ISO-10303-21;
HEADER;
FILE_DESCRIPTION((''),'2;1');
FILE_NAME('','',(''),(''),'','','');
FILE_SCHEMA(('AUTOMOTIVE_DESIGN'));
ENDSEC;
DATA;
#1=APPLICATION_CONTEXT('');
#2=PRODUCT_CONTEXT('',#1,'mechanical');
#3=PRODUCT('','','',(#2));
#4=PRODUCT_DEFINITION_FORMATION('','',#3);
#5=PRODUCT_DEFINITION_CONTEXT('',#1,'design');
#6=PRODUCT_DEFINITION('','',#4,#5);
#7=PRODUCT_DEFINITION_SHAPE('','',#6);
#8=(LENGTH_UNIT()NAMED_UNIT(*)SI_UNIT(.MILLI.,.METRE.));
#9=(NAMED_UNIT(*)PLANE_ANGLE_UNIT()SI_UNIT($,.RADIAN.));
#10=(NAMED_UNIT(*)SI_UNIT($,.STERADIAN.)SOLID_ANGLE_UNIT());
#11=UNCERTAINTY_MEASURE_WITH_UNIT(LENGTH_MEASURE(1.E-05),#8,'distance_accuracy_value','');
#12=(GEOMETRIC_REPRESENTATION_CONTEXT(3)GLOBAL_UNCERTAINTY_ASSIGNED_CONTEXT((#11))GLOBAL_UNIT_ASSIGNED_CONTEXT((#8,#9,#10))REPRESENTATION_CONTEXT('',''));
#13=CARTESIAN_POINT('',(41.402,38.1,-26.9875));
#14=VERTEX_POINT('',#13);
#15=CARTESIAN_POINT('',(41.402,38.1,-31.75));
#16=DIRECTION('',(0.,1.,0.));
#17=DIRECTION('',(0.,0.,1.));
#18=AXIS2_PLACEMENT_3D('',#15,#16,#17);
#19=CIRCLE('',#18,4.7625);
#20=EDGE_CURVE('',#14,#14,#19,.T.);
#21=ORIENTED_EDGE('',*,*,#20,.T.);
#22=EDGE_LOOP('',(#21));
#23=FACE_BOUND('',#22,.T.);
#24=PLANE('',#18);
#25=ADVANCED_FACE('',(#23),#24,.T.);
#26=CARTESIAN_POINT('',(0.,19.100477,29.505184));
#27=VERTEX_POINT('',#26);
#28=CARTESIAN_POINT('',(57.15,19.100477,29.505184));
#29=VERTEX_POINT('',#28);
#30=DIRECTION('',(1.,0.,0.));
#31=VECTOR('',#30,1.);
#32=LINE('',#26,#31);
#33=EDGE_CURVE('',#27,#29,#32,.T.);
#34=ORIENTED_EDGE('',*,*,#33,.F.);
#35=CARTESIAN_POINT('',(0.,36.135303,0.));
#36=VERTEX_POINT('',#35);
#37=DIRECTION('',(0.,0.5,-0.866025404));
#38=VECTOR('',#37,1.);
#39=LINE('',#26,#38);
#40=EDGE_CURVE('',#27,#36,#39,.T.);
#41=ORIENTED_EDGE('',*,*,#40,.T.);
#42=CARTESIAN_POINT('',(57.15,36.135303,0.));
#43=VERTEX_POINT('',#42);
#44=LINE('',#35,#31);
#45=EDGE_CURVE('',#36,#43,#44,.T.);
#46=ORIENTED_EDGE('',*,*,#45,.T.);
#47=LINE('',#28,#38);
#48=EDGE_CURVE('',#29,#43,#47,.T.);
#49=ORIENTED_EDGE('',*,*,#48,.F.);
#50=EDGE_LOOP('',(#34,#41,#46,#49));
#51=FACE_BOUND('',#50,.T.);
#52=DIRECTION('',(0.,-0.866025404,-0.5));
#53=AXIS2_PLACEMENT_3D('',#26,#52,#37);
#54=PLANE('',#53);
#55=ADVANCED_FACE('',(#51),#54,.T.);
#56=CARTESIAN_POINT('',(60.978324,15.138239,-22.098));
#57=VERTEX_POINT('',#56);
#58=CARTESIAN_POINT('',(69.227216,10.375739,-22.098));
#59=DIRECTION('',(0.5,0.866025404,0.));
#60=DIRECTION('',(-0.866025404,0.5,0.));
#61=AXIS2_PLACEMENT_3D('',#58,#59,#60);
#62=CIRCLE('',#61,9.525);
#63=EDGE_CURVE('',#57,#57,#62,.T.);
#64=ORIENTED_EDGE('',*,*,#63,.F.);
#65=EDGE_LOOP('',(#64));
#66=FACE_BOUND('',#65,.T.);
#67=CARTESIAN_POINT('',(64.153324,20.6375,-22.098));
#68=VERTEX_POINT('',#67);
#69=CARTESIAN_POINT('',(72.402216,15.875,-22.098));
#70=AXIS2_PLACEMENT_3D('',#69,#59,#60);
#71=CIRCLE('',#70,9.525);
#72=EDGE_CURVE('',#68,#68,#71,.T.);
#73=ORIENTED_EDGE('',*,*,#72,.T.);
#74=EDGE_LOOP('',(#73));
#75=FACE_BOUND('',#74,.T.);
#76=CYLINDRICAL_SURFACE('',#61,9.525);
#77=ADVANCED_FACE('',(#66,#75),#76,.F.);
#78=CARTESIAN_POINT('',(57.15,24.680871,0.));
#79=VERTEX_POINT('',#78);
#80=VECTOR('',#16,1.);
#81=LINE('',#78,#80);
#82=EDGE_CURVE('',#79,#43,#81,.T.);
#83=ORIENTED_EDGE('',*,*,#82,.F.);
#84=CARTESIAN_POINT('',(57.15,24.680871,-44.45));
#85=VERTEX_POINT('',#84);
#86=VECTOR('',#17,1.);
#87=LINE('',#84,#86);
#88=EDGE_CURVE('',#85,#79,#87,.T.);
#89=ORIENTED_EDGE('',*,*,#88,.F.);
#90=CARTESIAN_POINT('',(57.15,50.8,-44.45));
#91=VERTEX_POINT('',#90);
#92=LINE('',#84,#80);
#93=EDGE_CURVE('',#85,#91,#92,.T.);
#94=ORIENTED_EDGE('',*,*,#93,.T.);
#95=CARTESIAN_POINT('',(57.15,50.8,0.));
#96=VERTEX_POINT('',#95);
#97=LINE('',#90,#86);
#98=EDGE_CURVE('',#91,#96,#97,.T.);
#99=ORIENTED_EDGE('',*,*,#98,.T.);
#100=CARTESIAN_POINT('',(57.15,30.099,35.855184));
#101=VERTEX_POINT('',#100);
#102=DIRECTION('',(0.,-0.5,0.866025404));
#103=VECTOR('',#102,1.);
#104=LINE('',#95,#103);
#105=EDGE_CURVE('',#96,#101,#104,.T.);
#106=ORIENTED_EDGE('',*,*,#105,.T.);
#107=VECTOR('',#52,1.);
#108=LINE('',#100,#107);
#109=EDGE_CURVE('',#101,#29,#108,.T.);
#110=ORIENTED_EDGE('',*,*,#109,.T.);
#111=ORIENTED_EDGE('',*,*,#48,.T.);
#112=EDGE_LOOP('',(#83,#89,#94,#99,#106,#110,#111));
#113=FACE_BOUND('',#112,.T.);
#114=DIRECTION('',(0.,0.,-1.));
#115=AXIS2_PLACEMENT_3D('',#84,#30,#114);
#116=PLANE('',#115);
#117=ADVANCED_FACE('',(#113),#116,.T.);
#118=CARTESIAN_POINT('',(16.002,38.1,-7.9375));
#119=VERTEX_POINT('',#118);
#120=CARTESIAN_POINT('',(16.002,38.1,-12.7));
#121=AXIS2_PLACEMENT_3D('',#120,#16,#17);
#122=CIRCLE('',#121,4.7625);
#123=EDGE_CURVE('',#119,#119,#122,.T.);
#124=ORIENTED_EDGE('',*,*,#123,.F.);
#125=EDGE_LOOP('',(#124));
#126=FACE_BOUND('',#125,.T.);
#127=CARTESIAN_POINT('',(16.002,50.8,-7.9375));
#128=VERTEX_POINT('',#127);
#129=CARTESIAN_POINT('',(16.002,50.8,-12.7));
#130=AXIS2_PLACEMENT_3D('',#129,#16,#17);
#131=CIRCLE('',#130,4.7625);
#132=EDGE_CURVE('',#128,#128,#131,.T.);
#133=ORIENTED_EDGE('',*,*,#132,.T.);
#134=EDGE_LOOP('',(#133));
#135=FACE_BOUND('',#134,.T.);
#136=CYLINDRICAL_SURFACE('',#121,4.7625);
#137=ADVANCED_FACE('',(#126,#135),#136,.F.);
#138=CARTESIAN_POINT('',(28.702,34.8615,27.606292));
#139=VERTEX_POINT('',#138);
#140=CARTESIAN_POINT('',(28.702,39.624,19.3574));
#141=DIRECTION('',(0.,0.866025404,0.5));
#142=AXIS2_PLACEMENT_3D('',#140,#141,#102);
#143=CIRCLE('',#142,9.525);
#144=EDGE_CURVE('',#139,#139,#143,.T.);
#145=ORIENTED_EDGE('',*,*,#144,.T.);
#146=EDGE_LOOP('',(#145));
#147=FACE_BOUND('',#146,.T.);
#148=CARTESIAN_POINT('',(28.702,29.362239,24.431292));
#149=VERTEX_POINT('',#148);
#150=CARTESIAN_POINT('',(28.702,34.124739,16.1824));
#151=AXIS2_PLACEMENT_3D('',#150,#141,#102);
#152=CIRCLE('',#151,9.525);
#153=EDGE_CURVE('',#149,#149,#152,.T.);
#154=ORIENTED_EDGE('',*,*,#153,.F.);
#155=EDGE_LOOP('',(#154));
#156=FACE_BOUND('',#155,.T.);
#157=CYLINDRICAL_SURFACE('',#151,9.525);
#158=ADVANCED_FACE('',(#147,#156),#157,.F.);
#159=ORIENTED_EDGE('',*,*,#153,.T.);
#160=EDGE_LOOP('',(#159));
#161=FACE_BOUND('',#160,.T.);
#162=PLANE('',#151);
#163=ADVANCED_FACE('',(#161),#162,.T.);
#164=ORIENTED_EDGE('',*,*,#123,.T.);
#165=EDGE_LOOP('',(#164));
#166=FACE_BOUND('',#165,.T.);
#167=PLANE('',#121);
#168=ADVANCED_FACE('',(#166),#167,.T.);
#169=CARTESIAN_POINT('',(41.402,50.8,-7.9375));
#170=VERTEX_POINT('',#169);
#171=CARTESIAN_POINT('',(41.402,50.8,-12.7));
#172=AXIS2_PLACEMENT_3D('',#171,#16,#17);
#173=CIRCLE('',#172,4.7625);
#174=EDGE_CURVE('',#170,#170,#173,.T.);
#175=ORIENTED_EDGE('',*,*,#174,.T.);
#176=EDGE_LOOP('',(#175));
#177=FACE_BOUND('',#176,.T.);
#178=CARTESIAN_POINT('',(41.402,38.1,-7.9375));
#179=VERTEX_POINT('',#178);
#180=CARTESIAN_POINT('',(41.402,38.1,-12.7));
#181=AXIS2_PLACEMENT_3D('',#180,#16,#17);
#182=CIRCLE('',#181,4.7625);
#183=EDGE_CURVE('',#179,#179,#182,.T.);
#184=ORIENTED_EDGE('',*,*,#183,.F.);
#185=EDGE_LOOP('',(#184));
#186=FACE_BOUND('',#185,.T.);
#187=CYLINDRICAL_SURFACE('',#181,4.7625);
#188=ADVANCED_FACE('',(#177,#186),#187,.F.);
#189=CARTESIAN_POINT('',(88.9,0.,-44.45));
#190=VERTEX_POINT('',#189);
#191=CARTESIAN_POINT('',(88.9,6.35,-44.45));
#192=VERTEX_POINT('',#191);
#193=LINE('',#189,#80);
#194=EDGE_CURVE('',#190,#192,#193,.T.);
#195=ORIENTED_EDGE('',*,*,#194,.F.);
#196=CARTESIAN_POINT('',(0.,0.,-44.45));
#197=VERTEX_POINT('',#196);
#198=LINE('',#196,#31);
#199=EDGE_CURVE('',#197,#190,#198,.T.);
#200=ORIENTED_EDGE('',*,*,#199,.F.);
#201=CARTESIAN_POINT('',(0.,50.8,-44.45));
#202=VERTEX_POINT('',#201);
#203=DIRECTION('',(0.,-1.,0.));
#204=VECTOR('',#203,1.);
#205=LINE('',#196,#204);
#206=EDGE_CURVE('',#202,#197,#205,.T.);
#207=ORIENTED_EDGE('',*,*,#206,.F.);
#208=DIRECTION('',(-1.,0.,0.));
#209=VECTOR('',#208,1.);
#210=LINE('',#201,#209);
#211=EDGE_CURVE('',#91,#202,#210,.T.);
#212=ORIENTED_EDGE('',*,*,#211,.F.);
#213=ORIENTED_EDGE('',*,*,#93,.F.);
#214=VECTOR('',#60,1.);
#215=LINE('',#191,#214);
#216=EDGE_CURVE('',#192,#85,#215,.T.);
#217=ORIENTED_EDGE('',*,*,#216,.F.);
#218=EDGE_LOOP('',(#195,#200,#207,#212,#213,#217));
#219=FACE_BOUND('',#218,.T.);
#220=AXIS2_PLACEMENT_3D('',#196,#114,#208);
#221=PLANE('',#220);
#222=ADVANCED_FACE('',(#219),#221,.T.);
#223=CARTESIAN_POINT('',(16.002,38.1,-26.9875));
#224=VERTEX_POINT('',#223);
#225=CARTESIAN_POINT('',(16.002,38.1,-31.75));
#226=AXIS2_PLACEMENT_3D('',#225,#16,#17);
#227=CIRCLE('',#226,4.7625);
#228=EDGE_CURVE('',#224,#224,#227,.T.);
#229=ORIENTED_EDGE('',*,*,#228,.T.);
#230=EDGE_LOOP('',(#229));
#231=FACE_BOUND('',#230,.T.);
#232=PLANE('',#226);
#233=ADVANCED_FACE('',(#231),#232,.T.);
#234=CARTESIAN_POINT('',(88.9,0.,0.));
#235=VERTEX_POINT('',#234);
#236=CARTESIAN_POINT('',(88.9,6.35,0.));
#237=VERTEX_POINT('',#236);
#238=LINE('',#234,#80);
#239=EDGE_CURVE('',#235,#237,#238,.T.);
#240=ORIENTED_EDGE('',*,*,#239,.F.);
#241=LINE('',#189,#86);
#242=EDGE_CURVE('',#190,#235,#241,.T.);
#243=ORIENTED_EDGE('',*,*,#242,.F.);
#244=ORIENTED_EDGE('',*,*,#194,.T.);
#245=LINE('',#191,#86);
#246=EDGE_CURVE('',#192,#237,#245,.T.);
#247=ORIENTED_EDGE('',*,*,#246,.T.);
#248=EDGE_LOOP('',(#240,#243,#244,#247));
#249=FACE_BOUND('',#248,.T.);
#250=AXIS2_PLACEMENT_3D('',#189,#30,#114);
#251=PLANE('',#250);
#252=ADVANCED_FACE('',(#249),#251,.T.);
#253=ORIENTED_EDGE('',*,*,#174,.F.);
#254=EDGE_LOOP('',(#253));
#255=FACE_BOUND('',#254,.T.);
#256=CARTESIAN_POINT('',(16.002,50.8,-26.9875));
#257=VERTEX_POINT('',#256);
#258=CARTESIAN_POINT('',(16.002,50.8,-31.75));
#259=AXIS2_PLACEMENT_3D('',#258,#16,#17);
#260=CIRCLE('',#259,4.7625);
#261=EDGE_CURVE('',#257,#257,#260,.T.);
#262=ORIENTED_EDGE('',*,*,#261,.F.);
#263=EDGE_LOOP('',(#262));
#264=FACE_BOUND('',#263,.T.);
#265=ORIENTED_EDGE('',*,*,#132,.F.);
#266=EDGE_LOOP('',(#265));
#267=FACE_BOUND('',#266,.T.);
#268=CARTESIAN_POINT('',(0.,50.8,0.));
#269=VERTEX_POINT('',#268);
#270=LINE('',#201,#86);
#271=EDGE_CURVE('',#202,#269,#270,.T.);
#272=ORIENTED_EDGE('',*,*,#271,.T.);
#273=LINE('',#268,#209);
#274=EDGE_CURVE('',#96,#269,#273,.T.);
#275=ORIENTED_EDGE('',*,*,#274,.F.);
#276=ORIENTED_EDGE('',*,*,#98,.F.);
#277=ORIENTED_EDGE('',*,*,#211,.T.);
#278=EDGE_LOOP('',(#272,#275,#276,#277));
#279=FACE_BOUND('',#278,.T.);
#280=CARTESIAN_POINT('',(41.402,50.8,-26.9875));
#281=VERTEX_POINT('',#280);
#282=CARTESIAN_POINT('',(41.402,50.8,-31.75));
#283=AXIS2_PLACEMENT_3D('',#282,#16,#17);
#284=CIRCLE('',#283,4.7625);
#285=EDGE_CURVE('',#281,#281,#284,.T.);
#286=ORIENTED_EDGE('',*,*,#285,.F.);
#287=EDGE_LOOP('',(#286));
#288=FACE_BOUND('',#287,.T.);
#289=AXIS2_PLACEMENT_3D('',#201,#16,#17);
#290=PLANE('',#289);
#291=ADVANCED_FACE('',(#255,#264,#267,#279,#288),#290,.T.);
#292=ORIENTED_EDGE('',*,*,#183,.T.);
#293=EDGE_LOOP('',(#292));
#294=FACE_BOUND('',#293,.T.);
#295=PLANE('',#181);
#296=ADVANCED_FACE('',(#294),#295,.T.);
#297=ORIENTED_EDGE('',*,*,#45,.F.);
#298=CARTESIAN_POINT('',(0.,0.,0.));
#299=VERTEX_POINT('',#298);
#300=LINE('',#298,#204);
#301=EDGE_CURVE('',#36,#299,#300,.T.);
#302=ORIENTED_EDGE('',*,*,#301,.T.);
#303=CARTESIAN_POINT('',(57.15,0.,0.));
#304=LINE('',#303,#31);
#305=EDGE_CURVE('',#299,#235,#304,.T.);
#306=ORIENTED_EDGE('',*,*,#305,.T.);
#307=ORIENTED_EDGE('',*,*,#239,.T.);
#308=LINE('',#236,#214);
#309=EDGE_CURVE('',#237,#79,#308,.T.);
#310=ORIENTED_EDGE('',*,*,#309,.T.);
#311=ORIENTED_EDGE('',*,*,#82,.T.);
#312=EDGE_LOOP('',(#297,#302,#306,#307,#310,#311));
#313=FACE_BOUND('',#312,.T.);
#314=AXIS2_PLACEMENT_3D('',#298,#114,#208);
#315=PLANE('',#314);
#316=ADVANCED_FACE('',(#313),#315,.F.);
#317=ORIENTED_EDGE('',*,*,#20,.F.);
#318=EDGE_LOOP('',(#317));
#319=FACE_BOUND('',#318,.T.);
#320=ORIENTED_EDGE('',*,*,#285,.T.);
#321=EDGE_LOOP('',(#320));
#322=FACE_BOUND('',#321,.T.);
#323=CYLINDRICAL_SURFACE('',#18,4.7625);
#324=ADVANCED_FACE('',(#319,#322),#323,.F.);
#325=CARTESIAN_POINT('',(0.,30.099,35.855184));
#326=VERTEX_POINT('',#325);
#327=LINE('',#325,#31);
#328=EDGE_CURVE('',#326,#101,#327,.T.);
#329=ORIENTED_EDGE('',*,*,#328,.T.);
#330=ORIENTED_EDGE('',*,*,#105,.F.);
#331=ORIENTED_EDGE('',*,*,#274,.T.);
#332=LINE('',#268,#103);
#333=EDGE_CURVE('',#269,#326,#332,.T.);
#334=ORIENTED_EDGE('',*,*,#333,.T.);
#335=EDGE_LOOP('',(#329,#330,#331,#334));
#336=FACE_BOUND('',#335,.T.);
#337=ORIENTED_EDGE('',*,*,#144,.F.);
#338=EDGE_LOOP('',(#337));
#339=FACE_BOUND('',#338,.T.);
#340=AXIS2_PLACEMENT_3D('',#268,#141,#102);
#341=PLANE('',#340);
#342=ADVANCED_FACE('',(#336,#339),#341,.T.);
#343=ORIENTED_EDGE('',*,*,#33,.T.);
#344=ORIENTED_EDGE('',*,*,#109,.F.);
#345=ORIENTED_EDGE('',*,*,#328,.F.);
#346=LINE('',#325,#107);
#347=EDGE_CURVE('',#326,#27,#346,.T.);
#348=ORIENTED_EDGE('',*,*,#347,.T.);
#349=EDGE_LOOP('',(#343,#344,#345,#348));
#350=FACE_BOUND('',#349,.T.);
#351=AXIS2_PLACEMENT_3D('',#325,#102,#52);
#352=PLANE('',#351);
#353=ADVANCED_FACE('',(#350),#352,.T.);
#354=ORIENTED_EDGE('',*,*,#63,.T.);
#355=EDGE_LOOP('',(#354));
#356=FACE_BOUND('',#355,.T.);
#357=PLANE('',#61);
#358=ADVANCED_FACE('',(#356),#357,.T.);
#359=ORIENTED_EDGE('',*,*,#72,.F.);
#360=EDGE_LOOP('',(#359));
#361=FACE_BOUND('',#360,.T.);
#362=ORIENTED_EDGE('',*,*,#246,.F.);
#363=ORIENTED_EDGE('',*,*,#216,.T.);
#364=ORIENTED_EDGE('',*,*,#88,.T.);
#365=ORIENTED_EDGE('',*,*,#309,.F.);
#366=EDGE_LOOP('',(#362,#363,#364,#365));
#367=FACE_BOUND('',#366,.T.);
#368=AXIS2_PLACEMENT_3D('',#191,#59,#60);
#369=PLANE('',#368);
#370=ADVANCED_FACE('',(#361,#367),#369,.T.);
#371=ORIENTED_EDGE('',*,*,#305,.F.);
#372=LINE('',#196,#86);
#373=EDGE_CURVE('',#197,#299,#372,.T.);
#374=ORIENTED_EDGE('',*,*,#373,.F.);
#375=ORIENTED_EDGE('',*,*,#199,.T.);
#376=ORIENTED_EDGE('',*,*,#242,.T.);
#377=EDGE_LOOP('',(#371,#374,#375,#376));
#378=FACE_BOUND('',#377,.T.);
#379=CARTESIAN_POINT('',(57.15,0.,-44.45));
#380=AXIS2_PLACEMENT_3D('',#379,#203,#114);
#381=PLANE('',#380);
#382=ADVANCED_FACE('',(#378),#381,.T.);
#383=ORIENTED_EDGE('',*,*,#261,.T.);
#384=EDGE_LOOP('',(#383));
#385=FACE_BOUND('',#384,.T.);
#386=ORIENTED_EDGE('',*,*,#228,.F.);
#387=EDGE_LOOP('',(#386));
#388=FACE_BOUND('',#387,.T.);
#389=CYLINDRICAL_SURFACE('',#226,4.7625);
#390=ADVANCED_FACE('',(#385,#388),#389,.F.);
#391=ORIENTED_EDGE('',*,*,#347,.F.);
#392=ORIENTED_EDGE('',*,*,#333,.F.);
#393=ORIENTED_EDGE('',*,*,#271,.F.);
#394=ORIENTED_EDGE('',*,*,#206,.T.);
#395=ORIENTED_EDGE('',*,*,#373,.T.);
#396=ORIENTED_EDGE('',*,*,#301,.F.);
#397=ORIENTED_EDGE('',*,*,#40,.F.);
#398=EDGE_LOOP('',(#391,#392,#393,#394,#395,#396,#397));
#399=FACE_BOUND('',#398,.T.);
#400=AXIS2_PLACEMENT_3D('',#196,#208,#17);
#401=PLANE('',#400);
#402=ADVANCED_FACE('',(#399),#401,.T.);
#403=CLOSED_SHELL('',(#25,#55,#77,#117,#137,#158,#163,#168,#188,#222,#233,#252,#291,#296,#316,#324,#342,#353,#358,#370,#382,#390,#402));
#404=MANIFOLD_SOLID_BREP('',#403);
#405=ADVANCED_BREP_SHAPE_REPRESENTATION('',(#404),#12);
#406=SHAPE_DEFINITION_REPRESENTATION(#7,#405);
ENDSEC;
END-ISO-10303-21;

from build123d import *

# Parameters (mm, degrees)
BOSS_EXTRUDE1_DEPTH = 44.45
SKETCH2_R           = 4.7625
CUT_EXTRUDE1_DEPTH  = 12.7
SKETCH3_R           = 9.525
CUT_EXTRUDE2_DEPTH  = 6.35
BOSS_EXTRUDE2_DEPTH = 57.15
SKETCH5_R           = 9.525
CUT_EXTRUDE3_DEPTH  = 6.35


with BuildPart() as part:
    # Sketch1 → Boss-Extrude1 (new body)
    with BuildSketch(Plane.XY):
        Polygon((57.15, 0), (88.9, 0), (88.9, 6.35), (57.15, 24.680871047), (57.15, 50.8), (0, 50.8), (0, 0), align=None)
    extrude(amount=-BOSS_EXTRUDE1_DEPTH)

    # Sketch2 → Cut-Extrude1 (cut)
    with BuildSketch(Plane(origin=(0, 50.8, 0), x_dir=(1, 0, 0), z_dir=(0, 1, 0))):
        with Locations((16.002, 12.7)):
            Circle(SKETCH2_R)
        with Locations((41.402, 12.7)):
            Circle(SKETCH2_R)
        with Locations((41.402, 31.75)):
            Circle(SKETCH2_R)
        with Locations((16.002, 31.75)):
            Circle(SKETCH2_R)
    extrude(amount=-CUT_EXTRUDE1_DEPTH, mode=Mode.SUBTRACT)

    # Sketch3 → Cut-Extrude2 (cut)
    with BuildSketch(Plane(origin=(24.974630657, 43.257329198, 0), x_dir=(0.866025404, -0.5, 0), z_dir=(0.5, 0.866025404, 0))):
        with Locations((54.764658396, 22.098)):
            Circle(SKETCH3_R)
    extrude(amount=-CUT_EXTRUDE2_DEPTH, mode=Mode.SUBTRACT)

    # Sketch4 → Boss-Extrude2 (add)
    with BuildSketch(Plane(origin=(57.15, 0, 0), x_dir=(0, 0, -1), z_dir=(1, 0, 0))):
        Polygon((0, 50.8), (-35.855183767, 30.099), (-29.505183767, 19.100477372), (0, 36.135303163), align=None)
    extrude(amount=-BOSS_EXTRUDE2_DEPTH)

    # Sketch5 → Cut-Extrude3 (cut)
    with BuildSketch(Plane(origin=(0, 38.1, 21.997045256), x_dir=(1, 0, 0), z_dir=(0, 0.866025404, 0.5))):
        with Locations((28.702, 3.048)):
            Circle(SKETCH5_R)
    extrude(amount=-CUT_EXTRUDE3_DEPTH, mode=Mode.SUBTRACT)


solid = part.part
